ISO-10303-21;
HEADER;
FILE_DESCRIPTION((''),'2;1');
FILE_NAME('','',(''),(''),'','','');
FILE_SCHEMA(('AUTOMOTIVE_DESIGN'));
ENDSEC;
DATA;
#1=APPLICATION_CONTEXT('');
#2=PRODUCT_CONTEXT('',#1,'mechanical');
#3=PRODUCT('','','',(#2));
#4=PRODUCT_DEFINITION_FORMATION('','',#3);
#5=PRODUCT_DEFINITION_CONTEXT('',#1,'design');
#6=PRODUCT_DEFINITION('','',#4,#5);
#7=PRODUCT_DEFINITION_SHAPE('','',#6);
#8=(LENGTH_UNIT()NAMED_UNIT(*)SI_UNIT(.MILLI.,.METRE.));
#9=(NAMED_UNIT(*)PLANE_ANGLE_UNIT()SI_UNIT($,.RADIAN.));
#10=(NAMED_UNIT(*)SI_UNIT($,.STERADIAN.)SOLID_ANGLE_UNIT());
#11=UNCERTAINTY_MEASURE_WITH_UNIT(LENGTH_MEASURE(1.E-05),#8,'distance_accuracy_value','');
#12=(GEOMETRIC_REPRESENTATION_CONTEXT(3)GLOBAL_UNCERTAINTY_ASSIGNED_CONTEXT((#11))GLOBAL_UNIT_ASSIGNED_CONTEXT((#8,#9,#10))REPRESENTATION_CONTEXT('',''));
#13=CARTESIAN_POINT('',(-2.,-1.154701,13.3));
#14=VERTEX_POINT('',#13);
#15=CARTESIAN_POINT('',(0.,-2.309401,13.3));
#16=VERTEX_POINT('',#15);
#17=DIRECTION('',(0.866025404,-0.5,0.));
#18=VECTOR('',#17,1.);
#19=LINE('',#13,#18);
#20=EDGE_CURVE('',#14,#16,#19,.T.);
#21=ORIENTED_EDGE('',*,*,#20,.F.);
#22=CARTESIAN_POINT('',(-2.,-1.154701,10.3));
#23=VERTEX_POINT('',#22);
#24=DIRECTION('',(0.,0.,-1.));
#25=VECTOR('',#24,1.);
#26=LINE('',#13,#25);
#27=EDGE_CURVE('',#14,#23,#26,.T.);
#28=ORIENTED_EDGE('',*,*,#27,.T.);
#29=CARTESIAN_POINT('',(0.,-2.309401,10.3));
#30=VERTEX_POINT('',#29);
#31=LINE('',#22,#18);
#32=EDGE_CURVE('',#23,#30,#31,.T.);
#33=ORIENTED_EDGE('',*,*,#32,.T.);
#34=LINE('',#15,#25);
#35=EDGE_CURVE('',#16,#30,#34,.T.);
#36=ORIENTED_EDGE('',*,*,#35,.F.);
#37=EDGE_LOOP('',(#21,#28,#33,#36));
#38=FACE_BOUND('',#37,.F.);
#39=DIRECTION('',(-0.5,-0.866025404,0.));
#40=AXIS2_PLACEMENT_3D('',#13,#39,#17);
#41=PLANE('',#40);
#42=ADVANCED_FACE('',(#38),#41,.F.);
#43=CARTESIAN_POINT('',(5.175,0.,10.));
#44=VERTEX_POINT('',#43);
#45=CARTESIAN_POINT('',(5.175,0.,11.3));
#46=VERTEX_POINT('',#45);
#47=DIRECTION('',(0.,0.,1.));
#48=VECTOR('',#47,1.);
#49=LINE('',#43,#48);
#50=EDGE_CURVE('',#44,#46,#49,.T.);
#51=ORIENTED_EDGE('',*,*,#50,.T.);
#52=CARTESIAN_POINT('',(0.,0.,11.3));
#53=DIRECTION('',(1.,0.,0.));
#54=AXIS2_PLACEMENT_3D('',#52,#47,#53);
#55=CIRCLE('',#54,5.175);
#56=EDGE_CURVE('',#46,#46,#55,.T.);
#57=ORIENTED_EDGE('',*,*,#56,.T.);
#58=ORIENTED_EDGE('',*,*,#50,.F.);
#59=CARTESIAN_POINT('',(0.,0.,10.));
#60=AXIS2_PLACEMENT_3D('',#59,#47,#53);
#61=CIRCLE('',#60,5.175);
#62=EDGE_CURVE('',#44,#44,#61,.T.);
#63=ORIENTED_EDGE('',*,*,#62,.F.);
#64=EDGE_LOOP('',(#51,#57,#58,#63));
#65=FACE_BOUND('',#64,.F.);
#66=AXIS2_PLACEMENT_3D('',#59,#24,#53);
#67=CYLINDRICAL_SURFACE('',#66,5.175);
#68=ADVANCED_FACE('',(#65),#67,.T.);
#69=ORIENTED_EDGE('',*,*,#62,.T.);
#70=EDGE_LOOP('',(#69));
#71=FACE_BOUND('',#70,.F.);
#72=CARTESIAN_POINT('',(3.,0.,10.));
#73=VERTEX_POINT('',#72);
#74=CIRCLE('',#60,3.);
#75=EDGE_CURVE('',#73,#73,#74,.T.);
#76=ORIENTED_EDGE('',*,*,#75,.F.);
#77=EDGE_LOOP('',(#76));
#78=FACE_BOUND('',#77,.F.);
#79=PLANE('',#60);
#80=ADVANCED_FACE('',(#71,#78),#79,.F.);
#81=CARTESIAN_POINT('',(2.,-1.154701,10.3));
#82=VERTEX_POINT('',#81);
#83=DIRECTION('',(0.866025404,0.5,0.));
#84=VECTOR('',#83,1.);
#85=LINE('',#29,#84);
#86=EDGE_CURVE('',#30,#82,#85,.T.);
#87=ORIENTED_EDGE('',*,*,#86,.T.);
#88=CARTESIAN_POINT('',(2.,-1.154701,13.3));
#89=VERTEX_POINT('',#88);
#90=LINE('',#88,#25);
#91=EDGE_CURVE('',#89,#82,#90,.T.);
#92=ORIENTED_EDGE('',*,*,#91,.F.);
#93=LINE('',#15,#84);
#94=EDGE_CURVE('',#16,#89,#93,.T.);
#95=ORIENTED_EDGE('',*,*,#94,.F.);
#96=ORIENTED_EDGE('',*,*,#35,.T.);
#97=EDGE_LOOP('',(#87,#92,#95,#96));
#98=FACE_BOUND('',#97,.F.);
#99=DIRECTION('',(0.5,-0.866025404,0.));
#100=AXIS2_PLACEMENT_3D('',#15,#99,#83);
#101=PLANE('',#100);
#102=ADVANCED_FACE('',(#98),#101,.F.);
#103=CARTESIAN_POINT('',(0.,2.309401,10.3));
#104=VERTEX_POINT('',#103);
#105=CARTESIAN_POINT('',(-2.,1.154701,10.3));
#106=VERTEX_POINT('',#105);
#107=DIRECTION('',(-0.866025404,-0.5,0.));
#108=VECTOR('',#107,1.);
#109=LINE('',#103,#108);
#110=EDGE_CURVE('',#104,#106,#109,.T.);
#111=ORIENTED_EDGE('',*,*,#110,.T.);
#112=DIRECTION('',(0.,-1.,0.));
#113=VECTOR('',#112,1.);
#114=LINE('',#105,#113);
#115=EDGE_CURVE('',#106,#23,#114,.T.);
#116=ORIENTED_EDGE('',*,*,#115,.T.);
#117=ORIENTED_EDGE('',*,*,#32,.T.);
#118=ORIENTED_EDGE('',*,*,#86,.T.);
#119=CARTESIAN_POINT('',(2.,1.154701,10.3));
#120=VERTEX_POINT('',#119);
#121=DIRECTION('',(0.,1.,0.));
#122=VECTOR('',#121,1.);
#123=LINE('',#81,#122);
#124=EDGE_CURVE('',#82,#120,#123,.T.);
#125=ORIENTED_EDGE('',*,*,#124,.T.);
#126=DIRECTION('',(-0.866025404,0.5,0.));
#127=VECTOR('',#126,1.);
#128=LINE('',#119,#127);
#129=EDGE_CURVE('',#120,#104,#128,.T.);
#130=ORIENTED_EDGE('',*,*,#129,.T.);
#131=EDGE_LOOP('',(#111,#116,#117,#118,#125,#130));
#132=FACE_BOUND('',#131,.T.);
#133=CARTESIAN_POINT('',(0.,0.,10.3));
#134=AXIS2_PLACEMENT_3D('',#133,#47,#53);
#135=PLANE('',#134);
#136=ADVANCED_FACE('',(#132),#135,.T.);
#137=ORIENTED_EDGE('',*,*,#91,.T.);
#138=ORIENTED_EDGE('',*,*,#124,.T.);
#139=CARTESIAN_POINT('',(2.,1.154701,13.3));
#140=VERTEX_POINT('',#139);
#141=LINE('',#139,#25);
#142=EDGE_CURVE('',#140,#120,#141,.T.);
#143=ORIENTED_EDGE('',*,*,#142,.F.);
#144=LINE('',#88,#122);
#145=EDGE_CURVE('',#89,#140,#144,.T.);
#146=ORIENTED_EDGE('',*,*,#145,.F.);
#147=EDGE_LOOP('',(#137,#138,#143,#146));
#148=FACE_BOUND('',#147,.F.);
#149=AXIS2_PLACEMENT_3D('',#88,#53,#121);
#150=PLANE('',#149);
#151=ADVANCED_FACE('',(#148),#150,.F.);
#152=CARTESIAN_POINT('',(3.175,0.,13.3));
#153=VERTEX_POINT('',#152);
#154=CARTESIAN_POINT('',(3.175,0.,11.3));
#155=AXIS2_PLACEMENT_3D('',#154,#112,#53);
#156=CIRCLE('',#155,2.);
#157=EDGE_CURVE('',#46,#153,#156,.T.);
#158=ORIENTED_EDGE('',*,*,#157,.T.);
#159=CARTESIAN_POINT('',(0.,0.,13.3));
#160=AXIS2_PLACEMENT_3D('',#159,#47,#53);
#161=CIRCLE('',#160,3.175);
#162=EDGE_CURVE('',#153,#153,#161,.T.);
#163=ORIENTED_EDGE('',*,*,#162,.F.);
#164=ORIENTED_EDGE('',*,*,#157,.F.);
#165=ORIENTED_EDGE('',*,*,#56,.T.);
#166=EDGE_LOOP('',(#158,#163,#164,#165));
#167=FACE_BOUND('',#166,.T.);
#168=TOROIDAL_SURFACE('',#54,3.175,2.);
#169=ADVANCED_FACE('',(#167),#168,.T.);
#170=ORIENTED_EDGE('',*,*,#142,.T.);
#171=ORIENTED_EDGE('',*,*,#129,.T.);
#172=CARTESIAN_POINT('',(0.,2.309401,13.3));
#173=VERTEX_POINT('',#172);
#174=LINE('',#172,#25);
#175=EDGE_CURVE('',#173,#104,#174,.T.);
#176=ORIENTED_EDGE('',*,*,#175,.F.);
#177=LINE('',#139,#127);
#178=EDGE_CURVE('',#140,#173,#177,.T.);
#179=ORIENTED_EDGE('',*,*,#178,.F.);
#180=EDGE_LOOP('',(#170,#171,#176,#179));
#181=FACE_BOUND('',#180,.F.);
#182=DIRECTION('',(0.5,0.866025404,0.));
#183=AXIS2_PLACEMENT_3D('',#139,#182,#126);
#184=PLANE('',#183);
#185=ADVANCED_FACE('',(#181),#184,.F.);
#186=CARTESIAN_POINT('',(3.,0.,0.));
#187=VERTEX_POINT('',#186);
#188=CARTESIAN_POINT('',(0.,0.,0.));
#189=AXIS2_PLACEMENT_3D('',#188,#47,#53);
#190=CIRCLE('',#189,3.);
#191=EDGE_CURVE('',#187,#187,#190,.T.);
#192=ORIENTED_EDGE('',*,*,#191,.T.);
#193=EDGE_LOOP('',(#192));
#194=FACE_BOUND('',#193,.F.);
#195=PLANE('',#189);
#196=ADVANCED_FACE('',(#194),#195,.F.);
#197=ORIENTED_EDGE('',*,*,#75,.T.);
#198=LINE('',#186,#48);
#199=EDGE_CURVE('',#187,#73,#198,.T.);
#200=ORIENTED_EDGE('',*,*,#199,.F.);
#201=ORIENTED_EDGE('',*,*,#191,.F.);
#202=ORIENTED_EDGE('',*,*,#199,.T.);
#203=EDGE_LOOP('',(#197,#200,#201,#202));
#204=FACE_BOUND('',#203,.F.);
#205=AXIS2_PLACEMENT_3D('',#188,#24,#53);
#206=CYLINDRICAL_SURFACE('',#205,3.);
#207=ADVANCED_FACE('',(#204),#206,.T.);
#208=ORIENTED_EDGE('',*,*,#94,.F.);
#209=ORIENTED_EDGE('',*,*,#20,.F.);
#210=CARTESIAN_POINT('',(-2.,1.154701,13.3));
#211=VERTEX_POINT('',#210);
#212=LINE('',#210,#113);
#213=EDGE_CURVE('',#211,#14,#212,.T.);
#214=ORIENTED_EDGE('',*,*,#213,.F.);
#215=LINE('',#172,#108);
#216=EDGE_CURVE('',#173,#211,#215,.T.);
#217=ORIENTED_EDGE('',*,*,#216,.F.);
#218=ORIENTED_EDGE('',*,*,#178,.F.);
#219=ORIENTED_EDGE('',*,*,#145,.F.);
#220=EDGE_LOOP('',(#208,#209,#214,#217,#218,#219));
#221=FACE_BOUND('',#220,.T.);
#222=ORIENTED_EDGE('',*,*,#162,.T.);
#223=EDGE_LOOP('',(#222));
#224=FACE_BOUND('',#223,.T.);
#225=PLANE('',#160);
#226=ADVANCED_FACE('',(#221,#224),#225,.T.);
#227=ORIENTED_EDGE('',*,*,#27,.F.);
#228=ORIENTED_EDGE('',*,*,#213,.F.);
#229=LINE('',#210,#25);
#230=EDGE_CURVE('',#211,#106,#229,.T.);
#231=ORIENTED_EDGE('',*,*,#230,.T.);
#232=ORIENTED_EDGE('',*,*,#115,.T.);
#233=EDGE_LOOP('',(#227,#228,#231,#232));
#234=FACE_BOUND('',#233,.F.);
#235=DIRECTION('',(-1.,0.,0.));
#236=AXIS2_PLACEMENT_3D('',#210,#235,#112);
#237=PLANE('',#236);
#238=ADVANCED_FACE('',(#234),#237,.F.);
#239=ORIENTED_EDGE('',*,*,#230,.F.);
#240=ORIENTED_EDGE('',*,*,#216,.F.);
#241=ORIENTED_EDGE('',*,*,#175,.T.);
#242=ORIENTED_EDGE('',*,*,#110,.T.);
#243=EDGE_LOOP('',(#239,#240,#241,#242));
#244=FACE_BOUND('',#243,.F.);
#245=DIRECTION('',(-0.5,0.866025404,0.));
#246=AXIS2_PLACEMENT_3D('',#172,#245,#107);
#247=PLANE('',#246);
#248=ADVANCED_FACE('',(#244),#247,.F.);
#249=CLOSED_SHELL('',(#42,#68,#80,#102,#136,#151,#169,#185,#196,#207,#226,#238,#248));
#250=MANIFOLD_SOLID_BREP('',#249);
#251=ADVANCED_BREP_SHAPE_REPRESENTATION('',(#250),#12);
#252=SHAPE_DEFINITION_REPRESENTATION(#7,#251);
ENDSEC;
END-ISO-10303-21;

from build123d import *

# Parameters (mm, degrees)
F0_R     = 3
F1_DEPTH = 10
F2_R     = 5.175
F2_R_2   = 3
F3_DEPTH = 3.3
F4_R     = 2
F6_DEPTH = 3


with BuildPart() as f1:
    # F0 (on Top) → F1 (new body)
    with BuildSketch(Plane.XY):
        Circle(F0_R)
    extrude(amount=F1_DEPTH)

    # F2 (on face) → F3 (join)
    with BuildSketch(Plane.XY.offset(10)):
        Circle(F2_R)
        Circle(F2_R_2, mode=Mode.SUBTRACT)
        Circle(F2_R_2)
    extrude(amount=F3_DEPTH)

    # F4
    f4_edges = [f1.edges().sort_by_distance(p)[0] for p in [
        (-5.175, 0, 13.3),
    ]]
    fillet(f4_edges, radius=F4_R)

    # F5 (on face) → F6 (cut)
    with BuildSketch(Plane.XY.offset(13.3)):
        Polygon((2, -1.1547005384), (2, 1.1547005384), (0, 2.3094010768), (-2, 1.1547005384), (-2, -1.1547005384), (0, -2.3094010768), align=None)
    extrude(amount=-F6_DEPTH, mode=Mode.SUBTRACT)


solid = f1.part
